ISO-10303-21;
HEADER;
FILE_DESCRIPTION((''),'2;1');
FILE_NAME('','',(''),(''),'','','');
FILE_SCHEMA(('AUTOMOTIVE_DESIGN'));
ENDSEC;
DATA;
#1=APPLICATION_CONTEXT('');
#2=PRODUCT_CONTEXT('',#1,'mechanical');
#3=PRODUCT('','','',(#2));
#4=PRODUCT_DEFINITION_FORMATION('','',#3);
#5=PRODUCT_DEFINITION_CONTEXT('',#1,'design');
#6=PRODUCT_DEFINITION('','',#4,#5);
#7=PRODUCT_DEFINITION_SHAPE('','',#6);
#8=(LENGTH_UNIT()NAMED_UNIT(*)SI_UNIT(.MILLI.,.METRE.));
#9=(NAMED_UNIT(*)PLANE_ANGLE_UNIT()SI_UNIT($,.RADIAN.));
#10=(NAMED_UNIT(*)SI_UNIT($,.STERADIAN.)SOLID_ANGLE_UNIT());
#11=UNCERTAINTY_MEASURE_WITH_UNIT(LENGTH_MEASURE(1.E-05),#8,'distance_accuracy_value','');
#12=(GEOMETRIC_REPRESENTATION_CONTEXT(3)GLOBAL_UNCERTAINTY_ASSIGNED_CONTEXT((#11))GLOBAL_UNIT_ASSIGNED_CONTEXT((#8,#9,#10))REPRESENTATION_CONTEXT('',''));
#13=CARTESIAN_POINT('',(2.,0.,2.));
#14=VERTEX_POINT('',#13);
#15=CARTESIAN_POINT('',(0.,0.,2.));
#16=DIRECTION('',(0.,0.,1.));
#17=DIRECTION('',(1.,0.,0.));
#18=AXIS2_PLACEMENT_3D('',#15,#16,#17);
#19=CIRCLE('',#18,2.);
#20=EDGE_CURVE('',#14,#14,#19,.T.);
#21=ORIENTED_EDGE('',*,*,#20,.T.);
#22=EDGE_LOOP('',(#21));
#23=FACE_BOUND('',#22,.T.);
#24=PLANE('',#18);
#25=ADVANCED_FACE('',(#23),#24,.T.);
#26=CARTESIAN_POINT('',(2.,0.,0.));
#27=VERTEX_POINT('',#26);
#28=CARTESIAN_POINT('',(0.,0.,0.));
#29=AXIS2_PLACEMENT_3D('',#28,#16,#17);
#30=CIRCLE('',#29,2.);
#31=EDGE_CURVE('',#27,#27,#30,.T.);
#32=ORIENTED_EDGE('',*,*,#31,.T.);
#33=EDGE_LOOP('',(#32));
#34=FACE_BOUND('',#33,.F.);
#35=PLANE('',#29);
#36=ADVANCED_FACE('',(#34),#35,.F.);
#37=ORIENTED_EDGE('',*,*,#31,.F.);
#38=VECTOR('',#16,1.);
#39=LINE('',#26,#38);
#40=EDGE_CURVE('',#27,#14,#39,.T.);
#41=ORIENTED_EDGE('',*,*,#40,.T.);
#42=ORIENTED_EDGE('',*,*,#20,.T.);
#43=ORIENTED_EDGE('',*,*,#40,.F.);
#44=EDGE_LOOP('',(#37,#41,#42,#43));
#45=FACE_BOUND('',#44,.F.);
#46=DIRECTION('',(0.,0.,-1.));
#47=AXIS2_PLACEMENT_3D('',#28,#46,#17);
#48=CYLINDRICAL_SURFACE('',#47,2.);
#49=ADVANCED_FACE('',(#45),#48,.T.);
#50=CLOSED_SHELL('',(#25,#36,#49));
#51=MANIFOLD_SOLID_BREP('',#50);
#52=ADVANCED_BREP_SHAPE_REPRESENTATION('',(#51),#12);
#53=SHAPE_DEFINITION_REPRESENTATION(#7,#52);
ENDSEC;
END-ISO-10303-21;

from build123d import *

# Parameters (mm, degrees)
CYLINDER_R     = 2
CYLINDER_DEPTH = 2


with BuildPart() as part:
    # Cylinder → Cylinder (new body)
    with BuildSketch(Plane.XY):
        Circle(CYLINDER_R)
    extrude(amount=CYLINDER_DEPTH)


solid = part.part
